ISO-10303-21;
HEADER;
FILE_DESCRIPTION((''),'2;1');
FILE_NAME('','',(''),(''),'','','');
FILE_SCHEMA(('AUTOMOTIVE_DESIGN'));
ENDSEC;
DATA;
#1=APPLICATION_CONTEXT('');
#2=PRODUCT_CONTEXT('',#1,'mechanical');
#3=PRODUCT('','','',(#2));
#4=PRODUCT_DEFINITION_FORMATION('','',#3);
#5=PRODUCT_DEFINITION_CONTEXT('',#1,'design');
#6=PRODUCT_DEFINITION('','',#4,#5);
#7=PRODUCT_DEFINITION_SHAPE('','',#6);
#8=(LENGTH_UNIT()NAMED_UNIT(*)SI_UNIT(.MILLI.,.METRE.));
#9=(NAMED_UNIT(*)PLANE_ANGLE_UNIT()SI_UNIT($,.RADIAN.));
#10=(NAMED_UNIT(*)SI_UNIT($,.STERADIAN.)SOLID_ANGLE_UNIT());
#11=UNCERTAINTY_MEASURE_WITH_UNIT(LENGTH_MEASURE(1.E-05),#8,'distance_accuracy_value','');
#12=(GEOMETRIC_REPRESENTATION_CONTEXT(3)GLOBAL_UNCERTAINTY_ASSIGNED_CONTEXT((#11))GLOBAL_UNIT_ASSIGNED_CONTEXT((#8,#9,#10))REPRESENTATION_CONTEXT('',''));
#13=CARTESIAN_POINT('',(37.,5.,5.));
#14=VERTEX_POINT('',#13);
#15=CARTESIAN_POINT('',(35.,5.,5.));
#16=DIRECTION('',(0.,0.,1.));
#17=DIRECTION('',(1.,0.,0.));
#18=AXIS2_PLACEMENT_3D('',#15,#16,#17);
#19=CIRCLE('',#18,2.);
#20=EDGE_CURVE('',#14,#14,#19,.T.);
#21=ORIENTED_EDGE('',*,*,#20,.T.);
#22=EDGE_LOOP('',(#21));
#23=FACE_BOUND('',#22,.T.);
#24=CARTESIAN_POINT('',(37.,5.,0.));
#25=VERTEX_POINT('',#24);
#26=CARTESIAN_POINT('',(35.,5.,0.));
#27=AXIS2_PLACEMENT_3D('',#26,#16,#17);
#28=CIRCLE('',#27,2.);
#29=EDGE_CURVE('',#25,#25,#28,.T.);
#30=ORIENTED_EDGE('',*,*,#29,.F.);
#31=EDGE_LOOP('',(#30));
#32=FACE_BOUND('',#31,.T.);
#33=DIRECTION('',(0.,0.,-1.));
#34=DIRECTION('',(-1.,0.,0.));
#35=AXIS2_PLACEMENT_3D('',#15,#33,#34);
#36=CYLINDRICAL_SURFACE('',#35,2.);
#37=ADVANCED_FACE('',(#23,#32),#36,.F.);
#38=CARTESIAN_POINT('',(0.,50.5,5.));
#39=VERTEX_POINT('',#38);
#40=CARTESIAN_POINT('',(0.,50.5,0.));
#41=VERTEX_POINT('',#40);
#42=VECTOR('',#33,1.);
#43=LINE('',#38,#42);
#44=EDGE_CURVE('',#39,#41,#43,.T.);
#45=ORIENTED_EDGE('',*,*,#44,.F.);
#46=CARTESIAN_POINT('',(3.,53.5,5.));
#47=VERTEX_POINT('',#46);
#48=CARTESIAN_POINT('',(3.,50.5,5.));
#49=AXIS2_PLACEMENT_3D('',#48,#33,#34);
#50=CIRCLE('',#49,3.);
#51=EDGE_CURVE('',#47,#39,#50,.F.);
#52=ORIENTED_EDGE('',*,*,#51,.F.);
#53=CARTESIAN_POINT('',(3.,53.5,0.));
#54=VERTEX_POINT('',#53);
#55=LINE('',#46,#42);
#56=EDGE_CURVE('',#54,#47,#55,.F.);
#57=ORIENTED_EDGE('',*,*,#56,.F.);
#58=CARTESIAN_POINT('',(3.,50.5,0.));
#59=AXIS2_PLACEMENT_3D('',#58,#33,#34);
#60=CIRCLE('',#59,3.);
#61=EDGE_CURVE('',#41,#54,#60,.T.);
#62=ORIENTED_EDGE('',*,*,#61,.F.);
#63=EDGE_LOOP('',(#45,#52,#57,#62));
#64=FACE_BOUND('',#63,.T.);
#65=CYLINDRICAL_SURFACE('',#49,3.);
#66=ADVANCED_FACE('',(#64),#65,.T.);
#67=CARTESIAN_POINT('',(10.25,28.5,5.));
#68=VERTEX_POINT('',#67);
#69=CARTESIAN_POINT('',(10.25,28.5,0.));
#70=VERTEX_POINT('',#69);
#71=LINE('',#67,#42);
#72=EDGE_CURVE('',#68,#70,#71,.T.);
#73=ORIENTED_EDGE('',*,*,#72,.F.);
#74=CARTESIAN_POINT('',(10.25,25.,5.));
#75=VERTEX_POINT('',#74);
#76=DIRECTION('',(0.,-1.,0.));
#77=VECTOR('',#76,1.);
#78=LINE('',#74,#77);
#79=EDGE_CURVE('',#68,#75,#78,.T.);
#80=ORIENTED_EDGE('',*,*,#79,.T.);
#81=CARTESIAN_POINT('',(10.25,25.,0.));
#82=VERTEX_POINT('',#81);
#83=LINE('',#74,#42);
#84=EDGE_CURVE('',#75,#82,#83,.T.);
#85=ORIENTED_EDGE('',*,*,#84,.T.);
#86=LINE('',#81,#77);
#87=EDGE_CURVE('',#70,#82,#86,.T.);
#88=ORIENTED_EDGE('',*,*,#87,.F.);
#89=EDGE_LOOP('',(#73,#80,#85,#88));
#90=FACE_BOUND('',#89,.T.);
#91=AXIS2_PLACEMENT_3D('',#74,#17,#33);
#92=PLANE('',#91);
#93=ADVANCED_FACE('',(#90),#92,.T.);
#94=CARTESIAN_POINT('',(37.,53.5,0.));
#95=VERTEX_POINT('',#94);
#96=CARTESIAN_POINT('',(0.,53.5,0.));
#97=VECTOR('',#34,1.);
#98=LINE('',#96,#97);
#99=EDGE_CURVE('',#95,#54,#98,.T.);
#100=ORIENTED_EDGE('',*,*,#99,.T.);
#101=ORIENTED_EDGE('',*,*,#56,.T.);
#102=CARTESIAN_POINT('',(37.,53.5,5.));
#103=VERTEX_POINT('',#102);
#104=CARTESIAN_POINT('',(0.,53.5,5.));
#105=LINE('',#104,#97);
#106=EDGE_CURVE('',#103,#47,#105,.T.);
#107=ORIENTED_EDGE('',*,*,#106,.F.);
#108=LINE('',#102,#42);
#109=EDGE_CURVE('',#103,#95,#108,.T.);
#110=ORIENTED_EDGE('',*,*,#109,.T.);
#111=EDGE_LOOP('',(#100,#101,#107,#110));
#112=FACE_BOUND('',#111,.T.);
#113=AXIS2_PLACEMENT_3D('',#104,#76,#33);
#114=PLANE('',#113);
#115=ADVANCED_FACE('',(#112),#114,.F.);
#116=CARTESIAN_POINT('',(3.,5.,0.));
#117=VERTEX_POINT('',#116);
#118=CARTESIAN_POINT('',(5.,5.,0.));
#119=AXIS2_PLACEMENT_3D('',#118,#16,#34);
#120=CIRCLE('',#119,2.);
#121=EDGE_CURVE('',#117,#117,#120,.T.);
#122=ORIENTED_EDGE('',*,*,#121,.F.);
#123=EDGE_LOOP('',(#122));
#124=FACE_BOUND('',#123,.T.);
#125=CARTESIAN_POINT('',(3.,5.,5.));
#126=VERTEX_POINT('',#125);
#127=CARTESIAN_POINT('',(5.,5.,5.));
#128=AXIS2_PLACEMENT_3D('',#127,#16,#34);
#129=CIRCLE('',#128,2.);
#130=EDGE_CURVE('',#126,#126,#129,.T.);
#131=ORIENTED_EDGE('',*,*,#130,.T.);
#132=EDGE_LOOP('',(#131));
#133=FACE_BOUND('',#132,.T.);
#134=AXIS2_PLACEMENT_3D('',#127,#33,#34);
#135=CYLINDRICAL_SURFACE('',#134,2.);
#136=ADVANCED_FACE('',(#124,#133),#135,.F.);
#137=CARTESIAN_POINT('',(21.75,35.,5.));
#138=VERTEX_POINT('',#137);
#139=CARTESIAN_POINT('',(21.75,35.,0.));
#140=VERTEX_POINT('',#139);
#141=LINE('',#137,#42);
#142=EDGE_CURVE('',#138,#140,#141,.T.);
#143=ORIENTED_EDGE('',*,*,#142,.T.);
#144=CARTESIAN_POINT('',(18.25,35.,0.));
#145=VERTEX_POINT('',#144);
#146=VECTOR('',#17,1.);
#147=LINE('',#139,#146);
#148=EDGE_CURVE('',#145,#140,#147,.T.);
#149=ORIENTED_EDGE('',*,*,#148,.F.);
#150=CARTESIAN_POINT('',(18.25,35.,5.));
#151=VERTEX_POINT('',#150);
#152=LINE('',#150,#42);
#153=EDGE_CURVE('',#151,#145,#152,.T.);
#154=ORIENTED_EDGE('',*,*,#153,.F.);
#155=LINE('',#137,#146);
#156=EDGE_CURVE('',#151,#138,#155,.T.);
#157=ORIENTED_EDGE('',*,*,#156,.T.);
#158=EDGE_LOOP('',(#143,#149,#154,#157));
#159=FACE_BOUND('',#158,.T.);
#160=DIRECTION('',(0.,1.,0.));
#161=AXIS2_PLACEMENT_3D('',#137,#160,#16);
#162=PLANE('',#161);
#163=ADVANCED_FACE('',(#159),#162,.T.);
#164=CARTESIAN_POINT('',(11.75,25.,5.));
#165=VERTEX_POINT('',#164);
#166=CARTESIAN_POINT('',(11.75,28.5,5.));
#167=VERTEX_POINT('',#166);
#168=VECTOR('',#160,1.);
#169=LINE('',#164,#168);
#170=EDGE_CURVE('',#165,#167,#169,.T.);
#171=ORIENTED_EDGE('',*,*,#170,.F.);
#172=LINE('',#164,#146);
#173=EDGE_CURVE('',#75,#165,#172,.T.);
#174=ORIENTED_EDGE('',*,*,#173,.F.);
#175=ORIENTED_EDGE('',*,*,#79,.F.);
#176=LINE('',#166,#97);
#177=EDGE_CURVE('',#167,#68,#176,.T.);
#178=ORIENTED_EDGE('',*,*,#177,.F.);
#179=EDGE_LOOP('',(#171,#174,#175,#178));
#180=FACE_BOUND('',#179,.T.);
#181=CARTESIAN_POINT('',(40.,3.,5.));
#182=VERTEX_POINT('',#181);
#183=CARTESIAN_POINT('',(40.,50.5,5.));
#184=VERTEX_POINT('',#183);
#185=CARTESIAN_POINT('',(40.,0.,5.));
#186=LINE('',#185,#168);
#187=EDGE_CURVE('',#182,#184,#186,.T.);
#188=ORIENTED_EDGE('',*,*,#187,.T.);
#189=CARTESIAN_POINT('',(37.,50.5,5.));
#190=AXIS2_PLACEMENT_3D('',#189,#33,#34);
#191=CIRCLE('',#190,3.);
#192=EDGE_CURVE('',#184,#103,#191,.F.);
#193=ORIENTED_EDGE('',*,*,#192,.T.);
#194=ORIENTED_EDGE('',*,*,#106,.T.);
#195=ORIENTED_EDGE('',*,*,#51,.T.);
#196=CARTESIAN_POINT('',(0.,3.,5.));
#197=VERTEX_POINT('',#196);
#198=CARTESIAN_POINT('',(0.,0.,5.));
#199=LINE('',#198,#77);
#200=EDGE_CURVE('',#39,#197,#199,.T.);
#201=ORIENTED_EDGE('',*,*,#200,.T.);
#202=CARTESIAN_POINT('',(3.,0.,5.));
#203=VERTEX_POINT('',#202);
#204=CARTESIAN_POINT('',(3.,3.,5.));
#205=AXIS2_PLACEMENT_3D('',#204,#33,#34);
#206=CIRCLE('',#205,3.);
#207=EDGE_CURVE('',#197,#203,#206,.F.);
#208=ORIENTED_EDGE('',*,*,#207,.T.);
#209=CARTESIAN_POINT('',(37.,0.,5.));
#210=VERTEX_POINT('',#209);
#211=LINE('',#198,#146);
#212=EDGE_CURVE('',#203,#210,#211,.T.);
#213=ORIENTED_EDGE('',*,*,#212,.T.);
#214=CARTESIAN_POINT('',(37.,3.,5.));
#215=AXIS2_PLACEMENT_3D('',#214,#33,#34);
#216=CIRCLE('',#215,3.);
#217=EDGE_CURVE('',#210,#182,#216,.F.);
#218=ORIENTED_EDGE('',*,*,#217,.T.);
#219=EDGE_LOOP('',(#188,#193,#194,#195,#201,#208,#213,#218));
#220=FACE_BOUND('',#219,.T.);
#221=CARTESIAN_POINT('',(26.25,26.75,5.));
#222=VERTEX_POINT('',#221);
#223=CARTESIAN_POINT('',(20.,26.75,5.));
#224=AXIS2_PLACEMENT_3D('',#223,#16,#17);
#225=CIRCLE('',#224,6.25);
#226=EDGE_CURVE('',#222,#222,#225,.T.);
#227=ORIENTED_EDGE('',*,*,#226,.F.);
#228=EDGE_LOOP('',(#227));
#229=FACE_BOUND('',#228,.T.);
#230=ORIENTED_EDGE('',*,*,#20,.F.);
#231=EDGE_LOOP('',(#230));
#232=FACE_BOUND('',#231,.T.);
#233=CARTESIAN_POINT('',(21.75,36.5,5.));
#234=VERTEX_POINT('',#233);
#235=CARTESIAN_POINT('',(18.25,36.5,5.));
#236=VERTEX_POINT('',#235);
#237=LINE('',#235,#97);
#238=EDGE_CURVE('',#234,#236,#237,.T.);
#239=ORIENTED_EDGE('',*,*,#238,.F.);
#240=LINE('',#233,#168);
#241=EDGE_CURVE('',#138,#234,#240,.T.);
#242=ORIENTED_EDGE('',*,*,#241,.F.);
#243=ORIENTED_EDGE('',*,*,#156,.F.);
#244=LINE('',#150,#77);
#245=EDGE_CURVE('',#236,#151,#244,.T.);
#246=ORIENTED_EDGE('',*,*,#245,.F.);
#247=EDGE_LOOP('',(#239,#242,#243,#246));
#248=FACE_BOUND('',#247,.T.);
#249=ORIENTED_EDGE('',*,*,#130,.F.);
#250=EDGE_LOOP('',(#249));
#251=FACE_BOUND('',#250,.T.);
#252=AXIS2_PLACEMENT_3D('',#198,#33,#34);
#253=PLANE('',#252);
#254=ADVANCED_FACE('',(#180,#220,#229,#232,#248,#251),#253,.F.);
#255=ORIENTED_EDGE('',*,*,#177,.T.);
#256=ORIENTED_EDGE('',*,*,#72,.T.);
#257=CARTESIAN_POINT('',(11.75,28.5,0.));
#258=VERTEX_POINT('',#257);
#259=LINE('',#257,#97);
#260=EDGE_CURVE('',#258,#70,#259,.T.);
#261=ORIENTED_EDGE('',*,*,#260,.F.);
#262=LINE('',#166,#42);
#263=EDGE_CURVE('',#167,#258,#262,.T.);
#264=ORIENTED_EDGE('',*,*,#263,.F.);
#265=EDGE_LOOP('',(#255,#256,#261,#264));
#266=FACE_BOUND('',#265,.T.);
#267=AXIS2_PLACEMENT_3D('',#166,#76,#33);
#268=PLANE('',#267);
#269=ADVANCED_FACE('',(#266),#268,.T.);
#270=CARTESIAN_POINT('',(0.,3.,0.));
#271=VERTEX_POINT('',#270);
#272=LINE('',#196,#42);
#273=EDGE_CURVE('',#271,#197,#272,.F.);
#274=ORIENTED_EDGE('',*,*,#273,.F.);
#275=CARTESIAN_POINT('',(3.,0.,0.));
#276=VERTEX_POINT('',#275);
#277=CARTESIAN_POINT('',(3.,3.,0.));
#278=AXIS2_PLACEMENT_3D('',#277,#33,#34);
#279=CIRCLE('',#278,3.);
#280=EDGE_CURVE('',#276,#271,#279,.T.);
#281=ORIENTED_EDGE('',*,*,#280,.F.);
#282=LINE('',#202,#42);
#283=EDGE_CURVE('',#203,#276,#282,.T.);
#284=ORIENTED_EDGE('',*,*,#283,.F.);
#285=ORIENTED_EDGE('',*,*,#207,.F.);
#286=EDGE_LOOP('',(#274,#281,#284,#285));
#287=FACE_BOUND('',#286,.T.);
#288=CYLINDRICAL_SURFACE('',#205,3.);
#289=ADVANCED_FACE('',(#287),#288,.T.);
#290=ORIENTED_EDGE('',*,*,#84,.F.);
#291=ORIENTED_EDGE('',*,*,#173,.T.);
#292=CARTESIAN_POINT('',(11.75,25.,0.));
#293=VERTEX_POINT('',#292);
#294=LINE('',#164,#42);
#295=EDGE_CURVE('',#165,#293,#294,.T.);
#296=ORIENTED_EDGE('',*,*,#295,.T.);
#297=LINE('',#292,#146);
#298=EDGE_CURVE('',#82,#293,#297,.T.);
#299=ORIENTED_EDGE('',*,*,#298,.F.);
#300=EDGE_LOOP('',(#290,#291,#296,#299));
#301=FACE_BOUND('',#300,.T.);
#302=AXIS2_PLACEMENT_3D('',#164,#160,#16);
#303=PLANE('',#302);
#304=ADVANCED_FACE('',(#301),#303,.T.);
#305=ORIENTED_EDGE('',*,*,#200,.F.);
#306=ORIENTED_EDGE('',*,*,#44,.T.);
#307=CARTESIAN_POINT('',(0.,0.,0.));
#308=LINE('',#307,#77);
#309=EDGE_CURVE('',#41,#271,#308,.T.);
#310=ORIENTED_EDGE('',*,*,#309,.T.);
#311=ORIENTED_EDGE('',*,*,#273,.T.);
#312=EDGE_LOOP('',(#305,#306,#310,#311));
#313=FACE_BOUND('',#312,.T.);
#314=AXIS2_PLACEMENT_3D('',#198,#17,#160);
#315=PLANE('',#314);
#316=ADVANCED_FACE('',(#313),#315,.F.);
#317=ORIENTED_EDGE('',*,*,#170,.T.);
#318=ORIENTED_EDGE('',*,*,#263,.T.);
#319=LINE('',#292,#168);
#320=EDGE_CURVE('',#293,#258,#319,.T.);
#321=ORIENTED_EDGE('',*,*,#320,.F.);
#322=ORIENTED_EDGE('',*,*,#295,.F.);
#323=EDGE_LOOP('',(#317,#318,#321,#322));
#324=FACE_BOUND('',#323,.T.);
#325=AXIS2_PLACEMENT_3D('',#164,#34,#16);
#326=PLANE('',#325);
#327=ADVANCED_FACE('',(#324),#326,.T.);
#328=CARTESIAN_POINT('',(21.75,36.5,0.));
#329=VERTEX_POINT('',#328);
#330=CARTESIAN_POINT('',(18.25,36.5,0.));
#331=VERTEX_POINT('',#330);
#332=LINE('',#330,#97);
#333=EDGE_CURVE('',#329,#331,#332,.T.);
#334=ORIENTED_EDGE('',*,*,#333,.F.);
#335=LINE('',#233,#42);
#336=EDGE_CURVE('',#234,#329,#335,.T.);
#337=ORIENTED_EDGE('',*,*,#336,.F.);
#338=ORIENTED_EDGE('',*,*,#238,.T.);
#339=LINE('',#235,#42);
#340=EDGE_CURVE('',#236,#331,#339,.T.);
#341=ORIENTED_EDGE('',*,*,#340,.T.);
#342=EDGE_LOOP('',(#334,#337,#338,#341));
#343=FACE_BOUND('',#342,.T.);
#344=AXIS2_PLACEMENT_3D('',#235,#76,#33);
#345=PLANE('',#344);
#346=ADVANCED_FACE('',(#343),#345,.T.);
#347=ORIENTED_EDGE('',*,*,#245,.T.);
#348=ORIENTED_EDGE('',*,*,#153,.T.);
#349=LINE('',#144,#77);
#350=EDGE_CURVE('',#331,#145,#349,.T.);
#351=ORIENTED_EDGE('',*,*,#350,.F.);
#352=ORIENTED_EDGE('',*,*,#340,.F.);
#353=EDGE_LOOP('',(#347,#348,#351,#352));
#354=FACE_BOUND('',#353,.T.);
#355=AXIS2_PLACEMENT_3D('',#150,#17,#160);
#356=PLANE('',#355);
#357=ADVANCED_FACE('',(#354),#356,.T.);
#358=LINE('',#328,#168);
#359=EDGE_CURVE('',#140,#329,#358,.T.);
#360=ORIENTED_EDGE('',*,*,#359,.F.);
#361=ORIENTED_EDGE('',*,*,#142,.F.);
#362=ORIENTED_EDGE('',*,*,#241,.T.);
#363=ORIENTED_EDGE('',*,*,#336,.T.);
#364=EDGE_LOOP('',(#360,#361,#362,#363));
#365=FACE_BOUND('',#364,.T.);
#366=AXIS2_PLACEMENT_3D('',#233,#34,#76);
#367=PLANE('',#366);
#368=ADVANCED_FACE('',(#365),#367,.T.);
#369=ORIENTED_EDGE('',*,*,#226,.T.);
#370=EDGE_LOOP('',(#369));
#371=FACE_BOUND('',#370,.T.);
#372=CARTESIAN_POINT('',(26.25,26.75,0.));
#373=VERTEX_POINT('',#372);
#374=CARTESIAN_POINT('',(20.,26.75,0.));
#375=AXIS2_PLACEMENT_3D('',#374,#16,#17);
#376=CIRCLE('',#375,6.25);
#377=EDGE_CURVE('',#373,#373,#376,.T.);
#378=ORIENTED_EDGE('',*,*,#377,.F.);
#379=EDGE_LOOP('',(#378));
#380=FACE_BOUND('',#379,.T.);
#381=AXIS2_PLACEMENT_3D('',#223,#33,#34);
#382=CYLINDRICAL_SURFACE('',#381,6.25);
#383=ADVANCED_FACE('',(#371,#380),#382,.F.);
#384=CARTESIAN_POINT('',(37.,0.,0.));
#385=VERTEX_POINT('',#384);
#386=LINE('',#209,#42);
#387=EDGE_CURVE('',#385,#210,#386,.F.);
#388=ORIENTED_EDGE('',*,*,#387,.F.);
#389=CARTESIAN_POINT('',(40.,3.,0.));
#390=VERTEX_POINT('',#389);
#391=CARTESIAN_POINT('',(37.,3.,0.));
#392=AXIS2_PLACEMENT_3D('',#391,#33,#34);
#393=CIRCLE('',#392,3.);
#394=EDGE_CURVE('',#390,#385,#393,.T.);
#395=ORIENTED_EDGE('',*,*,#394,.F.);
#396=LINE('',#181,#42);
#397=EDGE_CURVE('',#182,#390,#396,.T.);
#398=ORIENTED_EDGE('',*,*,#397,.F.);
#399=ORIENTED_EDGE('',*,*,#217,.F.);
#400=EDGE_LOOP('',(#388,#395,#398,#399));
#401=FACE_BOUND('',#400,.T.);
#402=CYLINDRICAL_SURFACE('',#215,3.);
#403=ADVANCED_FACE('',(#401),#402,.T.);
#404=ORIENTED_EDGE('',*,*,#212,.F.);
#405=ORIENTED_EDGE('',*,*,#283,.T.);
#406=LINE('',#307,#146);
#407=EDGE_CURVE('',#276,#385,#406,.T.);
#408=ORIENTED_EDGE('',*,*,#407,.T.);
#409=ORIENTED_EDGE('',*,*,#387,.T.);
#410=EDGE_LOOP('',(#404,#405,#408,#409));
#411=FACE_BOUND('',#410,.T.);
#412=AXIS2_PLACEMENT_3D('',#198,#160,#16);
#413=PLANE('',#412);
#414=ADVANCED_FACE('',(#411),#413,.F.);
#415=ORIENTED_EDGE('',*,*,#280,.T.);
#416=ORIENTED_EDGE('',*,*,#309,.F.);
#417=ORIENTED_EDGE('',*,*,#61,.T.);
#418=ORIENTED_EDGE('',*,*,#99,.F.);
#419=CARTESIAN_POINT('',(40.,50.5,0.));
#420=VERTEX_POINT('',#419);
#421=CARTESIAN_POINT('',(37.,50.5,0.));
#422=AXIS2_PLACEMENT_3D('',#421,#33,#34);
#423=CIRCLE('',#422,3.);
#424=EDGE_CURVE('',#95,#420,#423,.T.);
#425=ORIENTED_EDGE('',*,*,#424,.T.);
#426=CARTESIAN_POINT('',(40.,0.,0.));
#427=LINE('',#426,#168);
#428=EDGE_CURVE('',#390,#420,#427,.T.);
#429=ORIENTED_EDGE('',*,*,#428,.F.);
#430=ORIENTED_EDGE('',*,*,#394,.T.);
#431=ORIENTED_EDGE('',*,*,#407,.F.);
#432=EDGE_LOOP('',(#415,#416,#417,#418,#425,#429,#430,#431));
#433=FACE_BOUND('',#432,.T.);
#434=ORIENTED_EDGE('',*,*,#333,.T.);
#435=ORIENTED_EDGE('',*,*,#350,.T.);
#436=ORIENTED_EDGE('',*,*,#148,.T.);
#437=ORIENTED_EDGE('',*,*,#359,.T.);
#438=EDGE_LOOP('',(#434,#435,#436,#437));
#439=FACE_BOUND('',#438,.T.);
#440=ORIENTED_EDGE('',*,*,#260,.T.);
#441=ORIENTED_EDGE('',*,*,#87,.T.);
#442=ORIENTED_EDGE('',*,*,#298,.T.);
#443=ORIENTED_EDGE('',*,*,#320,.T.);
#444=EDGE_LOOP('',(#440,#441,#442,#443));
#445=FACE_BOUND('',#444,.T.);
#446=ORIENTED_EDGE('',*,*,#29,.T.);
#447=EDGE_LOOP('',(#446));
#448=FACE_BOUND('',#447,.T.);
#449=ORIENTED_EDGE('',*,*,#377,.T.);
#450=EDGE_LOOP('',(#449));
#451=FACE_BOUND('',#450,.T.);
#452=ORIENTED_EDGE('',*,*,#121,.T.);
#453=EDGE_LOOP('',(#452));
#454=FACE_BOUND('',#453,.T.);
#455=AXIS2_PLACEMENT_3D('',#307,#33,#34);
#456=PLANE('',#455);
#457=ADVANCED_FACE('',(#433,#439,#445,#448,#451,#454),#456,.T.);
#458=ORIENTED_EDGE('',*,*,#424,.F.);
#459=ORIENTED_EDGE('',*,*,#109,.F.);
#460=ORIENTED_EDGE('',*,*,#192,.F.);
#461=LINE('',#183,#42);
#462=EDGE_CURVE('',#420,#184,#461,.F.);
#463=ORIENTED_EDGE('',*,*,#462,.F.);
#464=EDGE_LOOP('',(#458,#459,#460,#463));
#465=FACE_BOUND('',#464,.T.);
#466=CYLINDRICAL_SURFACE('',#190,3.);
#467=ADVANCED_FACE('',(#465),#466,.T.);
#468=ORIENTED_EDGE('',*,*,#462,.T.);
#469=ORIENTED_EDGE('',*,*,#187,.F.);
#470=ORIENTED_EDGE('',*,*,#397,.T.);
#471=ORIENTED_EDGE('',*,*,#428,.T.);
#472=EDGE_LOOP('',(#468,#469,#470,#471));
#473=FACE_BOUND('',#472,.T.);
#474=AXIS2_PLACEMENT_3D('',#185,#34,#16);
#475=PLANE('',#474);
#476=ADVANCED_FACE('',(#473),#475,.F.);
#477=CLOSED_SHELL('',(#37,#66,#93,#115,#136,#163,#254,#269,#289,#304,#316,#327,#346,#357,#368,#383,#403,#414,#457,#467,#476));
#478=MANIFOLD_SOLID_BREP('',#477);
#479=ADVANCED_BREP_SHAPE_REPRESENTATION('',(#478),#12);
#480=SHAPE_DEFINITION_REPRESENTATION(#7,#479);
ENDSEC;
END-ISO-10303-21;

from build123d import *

# Parameters (mm, degrees)
SKETCH_1_W      = 40
SKETCH_1_H      = 53.5
SKETCH_1_R      = 6.25
SKETCH_1_R_2    = 2
SKETCH_1_W_2    = 3.5
SKETCH_1_H_2    = 1.5
SKETCH_1_W_3    = 1.5
SKETCH_1_H_3    = 3.5
EXTRUDE_1_DEPTH = 5
FILLET_1_R      = 3


with BuildPart() as part:
    # ｽｹｯﾁ1 → ﾎﾞｽ - 押し出し1 (new body)
    with BuildSketch(Plane.XY):
        with Locations((20, 26.75)):
            Rectangle(SKETCH_1_W, SKETCH_1_H)
        with Locations((20, 26.75)):
            Circle(SKETCH_1_R, mode=Mode.SUBTRACT)
        with Locations((35, 5)):
            Circle(SKETCH_1_R_2, mode=Mode.SUBTRACT)
        with Locations(Location((5, 5, 0), (0, 0, 180))):
            Circle(SKETCH_1_R_2, mode=Mode.SUBTRACT)
        with Locations((20, 35.75)):
            Rectangle(SKETCH_1_W_2, SKETCH_1_H_2, mode=Mode.SUBTRACT)
        with Locations((11, 26.75)):
            Rectangle(SKETCH_1_W_3, SKETCH_1_H_3, mode=Mode.SUBTRACT)
    extrude(amount=EXTRUDE_1_DEPTH)

    # ﾌｨﾚｯﾄ1
    fillet_1_edges = [part.edges().sort_by_distance(p)[0] for p in [
        (0, 53.5, 2.5),
        (40, 53.5, 2.5),
        (40, 0, 2.5),
        (0, 0, 2.5),
    ]]
    fillet(fillet_1_edges, radius=FILLET_1_R)


solid = part.part
